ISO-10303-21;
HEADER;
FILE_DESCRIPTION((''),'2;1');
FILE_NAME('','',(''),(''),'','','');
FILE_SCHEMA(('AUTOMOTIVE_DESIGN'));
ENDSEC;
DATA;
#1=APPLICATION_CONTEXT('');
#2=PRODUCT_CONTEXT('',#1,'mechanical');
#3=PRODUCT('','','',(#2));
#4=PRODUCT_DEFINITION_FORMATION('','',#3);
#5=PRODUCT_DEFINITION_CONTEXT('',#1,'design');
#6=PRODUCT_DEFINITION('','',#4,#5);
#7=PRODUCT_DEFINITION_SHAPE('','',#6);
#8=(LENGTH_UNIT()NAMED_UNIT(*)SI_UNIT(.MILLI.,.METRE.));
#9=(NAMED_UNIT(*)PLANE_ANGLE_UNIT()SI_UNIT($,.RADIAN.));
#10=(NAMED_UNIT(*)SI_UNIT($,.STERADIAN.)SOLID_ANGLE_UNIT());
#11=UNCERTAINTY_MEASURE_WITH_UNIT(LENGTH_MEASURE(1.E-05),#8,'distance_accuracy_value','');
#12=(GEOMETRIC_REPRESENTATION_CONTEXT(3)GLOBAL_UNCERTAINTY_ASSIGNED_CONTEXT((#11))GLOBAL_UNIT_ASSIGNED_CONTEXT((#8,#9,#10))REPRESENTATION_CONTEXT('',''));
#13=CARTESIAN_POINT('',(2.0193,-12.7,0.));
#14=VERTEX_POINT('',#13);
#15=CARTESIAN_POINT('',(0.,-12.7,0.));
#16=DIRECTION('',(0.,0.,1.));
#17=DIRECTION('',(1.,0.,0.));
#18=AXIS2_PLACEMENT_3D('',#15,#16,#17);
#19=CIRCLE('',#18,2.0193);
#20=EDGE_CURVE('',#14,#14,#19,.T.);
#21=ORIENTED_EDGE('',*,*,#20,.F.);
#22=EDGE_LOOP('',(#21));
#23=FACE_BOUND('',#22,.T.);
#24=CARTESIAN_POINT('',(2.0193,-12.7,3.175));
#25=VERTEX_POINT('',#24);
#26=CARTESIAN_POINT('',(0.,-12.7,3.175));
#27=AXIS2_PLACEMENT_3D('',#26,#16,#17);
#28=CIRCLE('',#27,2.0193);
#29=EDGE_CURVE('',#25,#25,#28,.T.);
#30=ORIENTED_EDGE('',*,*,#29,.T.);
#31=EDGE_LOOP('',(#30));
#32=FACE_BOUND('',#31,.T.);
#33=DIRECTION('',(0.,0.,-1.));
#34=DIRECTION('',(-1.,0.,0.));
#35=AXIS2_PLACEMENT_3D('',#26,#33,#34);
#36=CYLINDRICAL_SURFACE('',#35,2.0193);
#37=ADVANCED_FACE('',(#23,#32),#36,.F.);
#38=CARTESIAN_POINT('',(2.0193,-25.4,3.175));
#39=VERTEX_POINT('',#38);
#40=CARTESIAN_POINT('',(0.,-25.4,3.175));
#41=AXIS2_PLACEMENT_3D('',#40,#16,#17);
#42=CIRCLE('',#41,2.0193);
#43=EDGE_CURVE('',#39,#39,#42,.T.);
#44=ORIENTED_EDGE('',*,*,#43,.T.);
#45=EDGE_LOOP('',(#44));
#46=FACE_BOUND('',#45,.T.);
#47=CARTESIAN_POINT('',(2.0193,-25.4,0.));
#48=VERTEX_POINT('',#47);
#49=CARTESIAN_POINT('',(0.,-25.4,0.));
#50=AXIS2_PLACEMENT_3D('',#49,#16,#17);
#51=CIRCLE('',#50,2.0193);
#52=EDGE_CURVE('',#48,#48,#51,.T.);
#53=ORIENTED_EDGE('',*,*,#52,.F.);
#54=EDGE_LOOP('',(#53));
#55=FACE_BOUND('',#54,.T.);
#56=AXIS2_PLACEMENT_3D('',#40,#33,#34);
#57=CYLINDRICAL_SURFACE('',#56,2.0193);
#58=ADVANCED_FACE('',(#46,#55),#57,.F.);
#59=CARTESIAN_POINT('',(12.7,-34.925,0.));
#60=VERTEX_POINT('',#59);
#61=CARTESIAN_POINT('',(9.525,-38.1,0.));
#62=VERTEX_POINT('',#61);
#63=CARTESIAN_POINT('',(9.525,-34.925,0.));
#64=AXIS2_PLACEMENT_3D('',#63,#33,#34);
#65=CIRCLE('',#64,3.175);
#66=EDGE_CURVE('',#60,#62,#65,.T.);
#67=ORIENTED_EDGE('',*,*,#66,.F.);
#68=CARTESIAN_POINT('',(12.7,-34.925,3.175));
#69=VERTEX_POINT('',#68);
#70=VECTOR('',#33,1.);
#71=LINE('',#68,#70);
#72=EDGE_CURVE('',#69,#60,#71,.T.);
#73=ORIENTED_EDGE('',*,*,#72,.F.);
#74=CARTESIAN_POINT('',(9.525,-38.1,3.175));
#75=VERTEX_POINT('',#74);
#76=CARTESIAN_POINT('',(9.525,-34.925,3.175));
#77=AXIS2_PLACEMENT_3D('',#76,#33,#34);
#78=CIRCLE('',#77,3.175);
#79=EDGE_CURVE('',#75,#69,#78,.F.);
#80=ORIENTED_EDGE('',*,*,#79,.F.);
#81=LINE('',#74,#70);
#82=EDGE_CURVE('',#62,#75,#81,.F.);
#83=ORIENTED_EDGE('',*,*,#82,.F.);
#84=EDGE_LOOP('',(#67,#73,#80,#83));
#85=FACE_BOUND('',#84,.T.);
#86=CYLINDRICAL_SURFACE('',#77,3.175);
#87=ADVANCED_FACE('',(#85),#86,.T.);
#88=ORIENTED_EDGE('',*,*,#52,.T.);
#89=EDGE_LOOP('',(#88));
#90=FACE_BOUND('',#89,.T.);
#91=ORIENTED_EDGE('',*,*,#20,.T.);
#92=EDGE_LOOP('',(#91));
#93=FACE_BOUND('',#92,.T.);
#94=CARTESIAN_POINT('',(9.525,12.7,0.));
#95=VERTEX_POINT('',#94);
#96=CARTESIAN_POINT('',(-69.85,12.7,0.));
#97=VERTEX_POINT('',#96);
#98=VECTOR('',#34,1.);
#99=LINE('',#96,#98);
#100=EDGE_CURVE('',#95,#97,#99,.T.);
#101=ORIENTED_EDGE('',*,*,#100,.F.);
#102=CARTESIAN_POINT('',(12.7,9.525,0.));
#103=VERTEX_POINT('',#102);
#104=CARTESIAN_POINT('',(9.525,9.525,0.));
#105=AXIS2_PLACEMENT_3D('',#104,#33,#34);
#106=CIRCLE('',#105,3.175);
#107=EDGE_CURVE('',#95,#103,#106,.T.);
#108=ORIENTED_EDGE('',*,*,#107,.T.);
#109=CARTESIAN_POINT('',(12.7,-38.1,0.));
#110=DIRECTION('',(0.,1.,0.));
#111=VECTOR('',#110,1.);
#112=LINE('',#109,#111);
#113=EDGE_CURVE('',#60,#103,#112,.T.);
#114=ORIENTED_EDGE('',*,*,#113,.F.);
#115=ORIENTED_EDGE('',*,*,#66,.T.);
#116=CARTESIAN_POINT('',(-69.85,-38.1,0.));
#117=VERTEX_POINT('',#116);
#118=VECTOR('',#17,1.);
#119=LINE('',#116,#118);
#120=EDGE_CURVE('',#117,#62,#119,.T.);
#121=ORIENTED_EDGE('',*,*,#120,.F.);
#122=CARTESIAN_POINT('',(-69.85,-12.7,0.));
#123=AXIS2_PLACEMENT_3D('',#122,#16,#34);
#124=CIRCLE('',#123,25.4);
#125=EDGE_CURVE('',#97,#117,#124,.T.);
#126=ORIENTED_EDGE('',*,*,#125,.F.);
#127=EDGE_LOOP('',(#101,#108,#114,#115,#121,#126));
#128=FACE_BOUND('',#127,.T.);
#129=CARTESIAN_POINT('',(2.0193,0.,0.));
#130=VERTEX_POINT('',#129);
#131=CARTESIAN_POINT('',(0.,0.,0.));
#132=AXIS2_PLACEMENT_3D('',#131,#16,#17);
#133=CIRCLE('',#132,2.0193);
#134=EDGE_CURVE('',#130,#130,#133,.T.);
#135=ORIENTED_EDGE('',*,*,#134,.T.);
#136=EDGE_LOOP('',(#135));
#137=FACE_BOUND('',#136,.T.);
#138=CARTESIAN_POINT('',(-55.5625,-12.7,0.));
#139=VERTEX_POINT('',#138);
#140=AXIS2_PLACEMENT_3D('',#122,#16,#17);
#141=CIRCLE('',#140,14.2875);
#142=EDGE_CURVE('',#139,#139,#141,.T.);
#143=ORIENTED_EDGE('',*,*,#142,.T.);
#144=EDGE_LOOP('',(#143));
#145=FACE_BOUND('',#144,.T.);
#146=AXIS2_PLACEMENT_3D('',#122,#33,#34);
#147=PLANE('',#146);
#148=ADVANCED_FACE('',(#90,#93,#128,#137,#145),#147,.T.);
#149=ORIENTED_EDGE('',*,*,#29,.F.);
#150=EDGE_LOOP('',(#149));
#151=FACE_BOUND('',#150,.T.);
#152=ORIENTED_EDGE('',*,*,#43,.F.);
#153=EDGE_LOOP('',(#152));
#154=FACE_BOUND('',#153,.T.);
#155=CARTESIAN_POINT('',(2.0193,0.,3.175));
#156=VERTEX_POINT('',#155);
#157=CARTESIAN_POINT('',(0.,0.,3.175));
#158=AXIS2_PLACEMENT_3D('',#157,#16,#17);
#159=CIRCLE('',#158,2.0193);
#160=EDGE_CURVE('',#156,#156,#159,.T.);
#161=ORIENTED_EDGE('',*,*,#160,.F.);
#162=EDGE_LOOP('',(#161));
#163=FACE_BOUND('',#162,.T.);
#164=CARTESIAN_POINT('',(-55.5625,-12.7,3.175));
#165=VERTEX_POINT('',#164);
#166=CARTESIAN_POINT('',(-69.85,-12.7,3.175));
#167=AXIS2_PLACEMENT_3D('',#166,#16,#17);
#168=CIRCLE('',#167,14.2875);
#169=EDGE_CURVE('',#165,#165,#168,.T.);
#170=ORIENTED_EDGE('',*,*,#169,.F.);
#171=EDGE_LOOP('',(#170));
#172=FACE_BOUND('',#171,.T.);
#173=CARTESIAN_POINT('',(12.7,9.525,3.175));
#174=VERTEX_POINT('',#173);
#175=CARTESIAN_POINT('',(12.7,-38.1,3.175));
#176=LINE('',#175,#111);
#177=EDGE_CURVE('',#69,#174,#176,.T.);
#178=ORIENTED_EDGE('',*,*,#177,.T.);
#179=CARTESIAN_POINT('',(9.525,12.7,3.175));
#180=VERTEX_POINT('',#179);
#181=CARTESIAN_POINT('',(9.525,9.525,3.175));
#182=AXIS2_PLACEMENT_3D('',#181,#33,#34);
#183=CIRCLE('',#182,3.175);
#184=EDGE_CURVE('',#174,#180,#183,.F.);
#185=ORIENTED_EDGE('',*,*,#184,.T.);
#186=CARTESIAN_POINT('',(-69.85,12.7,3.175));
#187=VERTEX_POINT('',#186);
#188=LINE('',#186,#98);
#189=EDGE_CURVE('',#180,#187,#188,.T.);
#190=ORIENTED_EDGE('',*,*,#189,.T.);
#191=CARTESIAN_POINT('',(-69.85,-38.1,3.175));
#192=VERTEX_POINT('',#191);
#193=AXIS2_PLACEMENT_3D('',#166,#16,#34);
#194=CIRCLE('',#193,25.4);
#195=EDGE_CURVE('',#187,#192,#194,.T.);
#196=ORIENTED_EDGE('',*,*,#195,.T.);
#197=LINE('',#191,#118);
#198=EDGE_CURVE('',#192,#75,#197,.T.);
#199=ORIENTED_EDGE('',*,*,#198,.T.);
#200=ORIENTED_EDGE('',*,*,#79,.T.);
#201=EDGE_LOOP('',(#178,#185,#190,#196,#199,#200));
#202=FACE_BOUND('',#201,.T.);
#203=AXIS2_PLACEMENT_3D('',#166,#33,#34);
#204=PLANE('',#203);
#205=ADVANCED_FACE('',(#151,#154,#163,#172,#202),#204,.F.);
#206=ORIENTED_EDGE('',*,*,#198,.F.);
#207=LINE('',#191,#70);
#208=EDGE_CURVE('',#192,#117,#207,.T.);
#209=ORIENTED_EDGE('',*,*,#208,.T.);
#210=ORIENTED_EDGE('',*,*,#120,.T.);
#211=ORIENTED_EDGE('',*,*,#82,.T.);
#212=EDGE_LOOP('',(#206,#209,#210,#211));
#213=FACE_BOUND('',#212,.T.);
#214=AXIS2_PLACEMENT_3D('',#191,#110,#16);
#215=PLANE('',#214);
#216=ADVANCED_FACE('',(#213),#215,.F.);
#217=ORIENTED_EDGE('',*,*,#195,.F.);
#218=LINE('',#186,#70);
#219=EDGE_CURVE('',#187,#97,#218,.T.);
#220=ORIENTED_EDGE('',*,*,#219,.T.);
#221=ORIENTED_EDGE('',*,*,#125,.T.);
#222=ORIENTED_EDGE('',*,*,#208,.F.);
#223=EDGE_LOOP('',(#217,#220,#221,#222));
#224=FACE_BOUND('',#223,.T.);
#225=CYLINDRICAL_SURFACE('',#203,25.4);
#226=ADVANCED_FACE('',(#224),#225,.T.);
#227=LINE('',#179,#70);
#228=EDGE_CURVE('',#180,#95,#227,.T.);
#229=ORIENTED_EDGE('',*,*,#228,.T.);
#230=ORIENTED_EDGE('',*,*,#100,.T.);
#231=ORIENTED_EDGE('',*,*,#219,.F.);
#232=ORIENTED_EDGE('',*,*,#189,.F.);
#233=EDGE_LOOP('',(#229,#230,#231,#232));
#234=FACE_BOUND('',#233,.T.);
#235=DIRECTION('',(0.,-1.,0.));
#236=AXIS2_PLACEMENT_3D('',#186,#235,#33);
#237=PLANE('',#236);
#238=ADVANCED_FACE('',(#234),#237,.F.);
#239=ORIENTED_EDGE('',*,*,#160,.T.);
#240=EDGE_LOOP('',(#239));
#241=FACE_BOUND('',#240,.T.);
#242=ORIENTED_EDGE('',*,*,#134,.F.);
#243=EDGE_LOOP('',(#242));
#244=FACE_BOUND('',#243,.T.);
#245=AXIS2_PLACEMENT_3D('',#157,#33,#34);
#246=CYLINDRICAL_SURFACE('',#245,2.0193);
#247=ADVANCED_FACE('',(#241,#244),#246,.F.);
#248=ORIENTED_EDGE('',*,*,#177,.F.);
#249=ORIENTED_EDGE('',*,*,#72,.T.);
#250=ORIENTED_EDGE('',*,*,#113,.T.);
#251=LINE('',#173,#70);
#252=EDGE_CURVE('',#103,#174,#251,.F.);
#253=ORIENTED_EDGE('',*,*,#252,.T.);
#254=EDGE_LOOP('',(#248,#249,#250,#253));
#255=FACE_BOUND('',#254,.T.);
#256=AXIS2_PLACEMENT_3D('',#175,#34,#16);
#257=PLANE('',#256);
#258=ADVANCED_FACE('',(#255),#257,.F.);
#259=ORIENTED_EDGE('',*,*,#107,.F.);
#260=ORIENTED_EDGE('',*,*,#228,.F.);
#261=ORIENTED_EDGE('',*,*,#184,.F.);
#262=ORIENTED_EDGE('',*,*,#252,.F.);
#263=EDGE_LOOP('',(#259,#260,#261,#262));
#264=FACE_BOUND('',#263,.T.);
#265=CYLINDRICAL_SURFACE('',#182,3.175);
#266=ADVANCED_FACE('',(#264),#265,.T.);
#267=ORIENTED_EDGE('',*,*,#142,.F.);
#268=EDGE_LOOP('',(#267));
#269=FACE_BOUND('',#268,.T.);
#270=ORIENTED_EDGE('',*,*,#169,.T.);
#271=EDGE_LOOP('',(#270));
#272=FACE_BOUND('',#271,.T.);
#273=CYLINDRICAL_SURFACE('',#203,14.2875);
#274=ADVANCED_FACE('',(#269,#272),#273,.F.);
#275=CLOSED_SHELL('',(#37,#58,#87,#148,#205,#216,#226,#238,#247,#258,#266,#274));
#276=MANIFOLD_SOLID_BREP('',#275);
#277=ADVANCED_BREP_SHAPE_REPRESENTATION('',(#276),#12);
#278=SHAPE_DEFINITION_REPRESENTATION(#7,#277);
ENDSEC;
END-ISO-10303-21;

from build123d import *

# Parameters (mm, degrees)
SKETCH1_R           = 2.0193
SKETCH1_R_2         = 14.2875
BOSS_EXTRUDE1_DEPTH = 3.175
FILLET1_R           = 3.175


with BuildPart() as part:
    # Sketch1 → Boss-Extrude1 (new body)
    with BuildSketch(Plane.XY):
        with BuildLine():
            Line((12.7, -38.1), (12.7, 12.7))
            Line((12.7, 12.7), (-69.85, 12.7))
            ThreePointArc((-69.85, 12.7), (-95.25, -12.7), (-69.85, -38.1))
            Line((-69.85, -38.1), (12.7, -38.1))
        make_face()
        Circle(SKETCH1_R, mode=Mode.SUBTRACT)
        with Locations((0, -12.7)):
            Circle(SKETCH1_R, mode=Mode.SUBTRACT)
        with Locations((0, -25.4)):
            Circle(SKETCH1_R, mode=Mode.SUBTRACT)
        with Locations((-69.85, -12.7)):
            Circle(SKETCH1_R_2, mode=Mode.SUBTRACT)
    extrude(amount=BOSS_EXTRUDE1_DEPTH)

    # Fillet1
    fillet1_edges = [part.edges().sort_by_distance(p)[0] for p in [
        (12.7, 12.7, 1.5875),
        (12.7, -38.1, 1.5875),
    ]]
    fillet(fillet1_edges, radius=FILLET1_R)


solid = part.part
